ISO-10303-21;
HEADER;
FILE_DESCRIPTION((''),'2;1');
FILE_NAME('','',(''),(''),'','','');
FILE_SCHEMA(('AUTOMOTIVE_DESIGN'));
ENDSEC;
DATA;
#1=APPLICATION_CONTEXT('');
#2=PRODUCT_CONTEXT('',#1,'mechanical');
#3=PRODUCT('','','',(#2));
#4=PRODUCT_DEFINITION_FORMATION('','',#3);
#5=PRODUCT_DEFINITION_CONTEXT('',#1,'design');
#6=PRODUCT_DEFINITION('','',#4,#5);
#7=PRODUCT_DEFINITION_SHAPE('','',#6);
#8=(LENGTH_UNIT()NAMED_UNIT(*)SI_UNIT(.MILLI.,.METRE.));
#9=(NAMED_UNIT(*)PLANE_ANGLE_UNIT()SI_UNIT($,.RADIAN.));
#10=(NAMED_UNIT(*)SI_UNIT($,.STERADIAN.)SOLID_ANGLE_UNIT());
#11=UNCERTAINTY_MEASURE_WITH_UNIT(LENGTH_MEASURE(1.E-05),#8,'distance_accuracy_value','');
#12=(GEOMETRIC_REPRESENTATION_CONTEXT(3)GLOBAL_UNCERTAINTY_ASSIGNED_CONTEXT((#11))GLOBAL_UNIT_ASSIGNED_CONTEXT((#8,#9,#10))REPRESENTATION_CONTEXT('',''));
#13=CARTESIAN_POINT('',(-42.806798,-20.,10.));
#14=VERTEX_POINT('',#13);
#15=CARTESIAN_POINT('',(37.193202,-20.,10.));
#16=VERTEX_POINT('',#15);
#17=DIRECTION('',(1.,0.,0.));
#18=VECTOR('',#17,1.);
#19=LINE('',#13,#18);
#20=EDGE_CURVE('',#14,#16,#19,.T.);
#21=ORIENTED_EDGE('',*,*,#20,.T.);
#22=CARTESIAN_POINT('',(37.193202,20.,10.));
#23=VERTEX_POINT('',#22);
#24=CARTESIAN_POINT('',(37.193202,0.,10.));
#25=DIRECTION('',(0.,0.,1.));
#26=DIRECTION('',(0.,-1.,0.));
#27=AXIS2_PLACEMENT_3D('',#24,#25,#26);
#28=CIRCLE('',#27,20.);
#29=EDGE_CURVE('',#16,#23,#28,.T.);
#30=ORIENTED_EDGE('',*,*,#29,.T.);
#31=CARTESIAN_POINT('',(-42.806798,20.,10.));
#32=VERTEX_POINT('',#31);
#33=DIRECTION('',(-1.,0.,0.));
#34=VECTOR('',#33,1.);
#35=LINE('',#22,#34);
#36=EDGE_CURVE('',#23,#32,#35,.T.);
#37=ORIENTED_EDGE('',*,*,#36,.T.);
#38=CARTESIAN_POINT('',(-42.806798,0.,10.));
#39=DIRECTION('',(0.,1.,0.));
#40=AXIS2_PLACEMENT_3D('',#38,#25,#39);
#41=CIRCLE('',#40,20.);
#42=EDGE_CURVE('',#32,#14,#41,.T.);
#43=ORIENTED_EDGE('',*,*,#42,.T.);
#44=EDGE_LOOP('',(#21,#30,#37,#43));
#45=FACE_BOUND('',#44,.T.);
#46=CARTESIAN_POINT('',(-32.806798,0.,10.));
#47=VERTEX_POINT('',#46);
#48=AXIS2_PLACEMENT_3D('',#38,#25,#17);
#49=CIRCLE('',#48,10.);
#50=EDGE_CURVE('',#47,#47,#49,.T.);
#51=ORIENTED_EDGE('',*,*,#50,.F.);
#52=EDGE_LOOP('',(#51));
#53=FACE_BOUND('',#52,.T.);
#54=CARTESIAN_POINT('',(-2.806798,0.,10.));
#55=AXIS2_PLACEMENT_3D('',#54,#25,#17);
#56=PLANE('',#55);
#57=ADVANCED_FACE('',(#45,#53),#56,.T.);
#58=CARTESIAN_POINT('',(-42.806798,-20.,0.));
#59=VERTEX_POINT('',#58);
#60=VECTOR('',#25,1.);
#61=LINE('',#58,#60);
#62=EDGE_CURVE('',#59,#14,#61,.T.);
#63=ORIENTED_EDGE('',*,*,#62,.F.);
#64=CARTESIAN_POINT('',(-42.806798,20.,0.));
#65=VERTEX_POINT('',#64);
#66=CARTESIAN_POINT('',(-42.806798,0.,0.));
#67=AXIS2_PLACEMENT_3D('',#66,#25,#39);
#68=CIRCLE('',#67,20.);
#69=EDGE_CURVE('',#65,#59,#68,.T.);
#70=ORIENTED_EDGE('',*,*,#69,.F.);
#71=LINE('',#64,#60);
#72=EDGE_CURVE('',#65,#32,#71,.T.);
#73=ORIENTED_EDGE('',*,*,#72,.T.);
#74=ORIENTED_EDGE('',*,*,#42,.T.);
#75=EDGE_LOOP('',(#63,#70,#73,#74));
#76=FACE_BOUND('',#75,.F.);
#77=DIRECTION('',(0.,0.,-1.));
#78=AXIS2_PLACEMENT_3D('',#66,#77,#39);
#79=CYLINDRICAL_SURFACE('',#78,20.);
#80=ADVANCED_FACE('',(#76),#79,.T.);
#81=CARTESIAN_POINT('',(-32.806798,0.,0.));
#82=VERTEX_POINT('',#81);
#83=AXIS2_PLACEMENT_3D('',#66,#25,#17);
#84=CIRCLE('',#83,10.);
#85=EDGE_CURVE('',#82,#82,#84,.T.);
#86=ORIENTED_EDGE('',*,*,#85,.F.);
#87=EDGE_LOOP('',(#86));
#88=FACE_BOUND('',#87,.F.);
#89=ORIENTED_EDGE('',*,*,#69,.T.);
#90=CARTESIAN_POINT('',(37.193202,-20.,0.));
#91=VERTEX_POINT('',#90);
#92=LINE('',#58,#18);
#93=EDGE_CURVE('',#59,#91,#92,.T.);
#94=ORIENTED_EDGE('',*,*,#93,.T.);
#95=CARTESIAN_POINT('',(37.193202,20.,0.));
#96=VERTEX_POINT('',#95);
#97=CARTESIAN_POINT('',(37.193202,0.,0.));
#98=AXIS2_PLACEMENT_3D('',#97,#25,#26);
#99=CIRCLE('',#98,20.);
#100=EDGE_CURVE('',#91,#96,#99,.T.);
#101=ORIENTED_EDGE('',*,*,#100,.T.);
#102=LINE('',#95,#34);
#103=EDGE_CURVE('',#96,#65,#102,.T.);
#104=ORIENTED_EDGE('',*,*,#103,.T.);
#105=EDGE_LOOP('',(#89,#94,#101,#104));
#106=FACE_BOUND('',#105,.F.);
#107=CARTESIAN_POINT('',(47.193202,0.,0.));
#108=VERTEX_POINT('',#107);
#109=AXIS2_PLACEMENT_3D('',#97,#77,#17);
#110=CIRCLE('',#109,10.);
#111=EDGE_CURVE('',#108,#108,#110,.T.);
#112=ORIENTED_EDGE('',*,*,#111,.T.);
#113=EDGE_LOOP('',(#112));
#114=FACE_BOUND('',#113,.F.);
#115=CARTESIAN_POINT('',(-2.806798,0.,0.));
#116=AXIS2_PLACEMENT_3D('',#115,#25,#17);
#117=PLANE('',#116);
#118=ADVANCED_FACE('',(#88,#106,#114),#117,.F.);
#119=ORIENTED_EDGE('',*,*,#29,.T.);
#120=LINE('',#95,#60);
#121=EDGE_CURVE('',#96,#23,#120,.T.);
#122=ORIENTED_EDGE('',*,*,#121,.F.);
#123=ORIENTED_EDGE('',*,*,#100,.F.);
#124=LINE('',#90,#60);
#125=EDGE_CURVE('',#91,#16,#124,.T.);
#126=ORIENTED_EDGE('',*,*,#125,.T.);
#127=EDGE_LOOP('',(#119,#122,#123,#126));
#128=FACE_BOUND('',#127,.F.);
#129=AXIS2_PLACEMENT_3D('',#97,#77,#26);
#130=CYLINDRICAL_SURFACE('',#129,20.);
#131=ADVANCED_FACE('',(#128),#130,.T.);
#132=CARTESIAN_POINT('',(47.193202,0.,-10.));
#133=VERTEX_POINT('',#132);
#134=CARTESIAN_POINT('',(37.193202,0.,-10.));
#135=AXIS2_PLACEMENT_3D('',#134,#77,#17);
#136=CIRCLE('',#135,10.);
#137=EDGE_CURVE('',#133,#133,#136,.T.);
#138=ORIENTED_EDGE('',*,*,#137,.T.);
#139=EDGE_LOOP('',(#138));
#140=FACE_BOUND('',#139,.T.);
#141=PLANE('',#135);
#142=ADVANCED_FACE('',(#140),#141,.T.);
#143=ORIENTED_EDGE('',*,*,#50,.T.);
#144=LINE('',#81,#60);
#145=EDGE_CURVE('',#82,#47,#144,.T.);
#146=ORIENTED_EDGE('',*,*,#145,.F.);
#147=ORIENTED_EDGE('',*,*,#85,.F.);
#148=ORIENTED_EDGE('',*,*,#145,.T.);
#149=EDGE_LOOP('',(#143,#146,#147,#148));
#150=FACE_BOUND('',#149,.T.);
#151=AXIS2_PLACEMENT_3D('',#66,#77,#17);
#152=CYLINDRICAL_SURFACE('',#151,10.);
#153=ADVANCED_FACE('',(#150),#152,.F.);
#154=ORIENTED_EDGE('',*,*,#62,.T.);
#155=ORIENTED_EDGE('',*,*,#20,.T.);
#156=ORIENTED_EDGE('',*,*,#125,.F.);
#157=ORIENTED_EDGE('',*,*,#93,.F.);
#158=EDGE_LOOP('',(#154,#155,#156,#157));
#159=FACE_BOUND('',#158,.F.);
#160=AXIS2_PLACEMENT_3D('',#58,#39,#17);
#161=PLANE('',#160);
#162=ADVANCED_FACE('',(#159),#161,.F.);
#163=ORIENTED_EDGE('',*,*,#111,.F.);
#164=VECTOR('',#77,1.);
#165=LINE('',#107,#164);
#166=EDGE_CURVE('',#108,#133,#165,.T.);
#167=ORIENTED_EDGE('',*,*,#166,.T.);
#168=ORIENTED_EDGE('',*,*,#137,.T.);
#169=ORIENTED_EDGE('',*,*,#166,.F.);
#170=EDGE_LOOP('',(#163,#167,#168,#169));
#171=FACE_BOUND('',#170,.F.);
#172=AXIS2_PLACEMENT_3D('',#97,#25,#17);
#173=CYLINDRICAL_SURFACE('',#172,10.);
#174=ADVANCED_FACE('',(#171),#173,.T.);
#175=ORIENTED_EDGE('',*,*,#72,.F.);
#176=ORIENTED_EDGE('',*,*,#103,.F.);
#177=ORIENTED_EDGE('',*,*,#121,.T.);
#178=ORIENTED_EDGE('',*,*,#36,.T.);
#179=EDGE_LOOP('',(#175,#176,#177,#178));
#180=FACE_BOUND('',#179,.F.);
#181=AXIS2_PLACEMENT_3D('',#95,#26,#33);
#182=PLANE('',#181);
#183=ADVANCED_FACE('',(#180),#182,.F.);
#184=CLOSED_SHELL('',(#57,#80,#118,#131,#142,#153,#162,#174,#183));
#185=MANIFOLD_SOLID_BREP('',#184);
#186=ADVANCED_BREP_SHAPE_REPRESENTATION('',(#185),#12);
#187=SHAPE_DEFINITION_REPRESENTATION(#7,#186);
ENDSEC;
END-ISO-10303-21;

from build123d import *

# Parameters (mm, degrees)
F0_R     = 10
F1_DEPTH = 10
F2_R     = 10
F3_DEPTH = 10


with BuildPart() as f1:
    # F0 (on Top) → F1 (new body)
    with BuildSketch(Plane.XY):
        with BuildLine():
            Line((37.193202, 20), (-42.806798, 20))
            ThreePointArc((-42.806798, 20), (-62.806798, 0), (-42.806798, -20))
            Line((-42.806798, -20), (37.193202, -20))
            ThreePointArc((37.193202, -20), (57.193202, 0), (37.193202, 20))
        make_face()
        with Locations((-42.806798, 0)):
            Circle(F0_R, mode=Mode.SUBTRACT)
    extrude(amount=F1_DEPTH)

    # F2 (on face) → F3 (join)
    with BuildSketch(Plane(origin=(0, 0, 0), x_dir=(1, 0, 0), z_dir=(0, 0, -1))):
        with Locations((37.193202, 0)):
            Circle(F2_R)
    extrude(amount=F3_DEPTH)


solid = f1.part
